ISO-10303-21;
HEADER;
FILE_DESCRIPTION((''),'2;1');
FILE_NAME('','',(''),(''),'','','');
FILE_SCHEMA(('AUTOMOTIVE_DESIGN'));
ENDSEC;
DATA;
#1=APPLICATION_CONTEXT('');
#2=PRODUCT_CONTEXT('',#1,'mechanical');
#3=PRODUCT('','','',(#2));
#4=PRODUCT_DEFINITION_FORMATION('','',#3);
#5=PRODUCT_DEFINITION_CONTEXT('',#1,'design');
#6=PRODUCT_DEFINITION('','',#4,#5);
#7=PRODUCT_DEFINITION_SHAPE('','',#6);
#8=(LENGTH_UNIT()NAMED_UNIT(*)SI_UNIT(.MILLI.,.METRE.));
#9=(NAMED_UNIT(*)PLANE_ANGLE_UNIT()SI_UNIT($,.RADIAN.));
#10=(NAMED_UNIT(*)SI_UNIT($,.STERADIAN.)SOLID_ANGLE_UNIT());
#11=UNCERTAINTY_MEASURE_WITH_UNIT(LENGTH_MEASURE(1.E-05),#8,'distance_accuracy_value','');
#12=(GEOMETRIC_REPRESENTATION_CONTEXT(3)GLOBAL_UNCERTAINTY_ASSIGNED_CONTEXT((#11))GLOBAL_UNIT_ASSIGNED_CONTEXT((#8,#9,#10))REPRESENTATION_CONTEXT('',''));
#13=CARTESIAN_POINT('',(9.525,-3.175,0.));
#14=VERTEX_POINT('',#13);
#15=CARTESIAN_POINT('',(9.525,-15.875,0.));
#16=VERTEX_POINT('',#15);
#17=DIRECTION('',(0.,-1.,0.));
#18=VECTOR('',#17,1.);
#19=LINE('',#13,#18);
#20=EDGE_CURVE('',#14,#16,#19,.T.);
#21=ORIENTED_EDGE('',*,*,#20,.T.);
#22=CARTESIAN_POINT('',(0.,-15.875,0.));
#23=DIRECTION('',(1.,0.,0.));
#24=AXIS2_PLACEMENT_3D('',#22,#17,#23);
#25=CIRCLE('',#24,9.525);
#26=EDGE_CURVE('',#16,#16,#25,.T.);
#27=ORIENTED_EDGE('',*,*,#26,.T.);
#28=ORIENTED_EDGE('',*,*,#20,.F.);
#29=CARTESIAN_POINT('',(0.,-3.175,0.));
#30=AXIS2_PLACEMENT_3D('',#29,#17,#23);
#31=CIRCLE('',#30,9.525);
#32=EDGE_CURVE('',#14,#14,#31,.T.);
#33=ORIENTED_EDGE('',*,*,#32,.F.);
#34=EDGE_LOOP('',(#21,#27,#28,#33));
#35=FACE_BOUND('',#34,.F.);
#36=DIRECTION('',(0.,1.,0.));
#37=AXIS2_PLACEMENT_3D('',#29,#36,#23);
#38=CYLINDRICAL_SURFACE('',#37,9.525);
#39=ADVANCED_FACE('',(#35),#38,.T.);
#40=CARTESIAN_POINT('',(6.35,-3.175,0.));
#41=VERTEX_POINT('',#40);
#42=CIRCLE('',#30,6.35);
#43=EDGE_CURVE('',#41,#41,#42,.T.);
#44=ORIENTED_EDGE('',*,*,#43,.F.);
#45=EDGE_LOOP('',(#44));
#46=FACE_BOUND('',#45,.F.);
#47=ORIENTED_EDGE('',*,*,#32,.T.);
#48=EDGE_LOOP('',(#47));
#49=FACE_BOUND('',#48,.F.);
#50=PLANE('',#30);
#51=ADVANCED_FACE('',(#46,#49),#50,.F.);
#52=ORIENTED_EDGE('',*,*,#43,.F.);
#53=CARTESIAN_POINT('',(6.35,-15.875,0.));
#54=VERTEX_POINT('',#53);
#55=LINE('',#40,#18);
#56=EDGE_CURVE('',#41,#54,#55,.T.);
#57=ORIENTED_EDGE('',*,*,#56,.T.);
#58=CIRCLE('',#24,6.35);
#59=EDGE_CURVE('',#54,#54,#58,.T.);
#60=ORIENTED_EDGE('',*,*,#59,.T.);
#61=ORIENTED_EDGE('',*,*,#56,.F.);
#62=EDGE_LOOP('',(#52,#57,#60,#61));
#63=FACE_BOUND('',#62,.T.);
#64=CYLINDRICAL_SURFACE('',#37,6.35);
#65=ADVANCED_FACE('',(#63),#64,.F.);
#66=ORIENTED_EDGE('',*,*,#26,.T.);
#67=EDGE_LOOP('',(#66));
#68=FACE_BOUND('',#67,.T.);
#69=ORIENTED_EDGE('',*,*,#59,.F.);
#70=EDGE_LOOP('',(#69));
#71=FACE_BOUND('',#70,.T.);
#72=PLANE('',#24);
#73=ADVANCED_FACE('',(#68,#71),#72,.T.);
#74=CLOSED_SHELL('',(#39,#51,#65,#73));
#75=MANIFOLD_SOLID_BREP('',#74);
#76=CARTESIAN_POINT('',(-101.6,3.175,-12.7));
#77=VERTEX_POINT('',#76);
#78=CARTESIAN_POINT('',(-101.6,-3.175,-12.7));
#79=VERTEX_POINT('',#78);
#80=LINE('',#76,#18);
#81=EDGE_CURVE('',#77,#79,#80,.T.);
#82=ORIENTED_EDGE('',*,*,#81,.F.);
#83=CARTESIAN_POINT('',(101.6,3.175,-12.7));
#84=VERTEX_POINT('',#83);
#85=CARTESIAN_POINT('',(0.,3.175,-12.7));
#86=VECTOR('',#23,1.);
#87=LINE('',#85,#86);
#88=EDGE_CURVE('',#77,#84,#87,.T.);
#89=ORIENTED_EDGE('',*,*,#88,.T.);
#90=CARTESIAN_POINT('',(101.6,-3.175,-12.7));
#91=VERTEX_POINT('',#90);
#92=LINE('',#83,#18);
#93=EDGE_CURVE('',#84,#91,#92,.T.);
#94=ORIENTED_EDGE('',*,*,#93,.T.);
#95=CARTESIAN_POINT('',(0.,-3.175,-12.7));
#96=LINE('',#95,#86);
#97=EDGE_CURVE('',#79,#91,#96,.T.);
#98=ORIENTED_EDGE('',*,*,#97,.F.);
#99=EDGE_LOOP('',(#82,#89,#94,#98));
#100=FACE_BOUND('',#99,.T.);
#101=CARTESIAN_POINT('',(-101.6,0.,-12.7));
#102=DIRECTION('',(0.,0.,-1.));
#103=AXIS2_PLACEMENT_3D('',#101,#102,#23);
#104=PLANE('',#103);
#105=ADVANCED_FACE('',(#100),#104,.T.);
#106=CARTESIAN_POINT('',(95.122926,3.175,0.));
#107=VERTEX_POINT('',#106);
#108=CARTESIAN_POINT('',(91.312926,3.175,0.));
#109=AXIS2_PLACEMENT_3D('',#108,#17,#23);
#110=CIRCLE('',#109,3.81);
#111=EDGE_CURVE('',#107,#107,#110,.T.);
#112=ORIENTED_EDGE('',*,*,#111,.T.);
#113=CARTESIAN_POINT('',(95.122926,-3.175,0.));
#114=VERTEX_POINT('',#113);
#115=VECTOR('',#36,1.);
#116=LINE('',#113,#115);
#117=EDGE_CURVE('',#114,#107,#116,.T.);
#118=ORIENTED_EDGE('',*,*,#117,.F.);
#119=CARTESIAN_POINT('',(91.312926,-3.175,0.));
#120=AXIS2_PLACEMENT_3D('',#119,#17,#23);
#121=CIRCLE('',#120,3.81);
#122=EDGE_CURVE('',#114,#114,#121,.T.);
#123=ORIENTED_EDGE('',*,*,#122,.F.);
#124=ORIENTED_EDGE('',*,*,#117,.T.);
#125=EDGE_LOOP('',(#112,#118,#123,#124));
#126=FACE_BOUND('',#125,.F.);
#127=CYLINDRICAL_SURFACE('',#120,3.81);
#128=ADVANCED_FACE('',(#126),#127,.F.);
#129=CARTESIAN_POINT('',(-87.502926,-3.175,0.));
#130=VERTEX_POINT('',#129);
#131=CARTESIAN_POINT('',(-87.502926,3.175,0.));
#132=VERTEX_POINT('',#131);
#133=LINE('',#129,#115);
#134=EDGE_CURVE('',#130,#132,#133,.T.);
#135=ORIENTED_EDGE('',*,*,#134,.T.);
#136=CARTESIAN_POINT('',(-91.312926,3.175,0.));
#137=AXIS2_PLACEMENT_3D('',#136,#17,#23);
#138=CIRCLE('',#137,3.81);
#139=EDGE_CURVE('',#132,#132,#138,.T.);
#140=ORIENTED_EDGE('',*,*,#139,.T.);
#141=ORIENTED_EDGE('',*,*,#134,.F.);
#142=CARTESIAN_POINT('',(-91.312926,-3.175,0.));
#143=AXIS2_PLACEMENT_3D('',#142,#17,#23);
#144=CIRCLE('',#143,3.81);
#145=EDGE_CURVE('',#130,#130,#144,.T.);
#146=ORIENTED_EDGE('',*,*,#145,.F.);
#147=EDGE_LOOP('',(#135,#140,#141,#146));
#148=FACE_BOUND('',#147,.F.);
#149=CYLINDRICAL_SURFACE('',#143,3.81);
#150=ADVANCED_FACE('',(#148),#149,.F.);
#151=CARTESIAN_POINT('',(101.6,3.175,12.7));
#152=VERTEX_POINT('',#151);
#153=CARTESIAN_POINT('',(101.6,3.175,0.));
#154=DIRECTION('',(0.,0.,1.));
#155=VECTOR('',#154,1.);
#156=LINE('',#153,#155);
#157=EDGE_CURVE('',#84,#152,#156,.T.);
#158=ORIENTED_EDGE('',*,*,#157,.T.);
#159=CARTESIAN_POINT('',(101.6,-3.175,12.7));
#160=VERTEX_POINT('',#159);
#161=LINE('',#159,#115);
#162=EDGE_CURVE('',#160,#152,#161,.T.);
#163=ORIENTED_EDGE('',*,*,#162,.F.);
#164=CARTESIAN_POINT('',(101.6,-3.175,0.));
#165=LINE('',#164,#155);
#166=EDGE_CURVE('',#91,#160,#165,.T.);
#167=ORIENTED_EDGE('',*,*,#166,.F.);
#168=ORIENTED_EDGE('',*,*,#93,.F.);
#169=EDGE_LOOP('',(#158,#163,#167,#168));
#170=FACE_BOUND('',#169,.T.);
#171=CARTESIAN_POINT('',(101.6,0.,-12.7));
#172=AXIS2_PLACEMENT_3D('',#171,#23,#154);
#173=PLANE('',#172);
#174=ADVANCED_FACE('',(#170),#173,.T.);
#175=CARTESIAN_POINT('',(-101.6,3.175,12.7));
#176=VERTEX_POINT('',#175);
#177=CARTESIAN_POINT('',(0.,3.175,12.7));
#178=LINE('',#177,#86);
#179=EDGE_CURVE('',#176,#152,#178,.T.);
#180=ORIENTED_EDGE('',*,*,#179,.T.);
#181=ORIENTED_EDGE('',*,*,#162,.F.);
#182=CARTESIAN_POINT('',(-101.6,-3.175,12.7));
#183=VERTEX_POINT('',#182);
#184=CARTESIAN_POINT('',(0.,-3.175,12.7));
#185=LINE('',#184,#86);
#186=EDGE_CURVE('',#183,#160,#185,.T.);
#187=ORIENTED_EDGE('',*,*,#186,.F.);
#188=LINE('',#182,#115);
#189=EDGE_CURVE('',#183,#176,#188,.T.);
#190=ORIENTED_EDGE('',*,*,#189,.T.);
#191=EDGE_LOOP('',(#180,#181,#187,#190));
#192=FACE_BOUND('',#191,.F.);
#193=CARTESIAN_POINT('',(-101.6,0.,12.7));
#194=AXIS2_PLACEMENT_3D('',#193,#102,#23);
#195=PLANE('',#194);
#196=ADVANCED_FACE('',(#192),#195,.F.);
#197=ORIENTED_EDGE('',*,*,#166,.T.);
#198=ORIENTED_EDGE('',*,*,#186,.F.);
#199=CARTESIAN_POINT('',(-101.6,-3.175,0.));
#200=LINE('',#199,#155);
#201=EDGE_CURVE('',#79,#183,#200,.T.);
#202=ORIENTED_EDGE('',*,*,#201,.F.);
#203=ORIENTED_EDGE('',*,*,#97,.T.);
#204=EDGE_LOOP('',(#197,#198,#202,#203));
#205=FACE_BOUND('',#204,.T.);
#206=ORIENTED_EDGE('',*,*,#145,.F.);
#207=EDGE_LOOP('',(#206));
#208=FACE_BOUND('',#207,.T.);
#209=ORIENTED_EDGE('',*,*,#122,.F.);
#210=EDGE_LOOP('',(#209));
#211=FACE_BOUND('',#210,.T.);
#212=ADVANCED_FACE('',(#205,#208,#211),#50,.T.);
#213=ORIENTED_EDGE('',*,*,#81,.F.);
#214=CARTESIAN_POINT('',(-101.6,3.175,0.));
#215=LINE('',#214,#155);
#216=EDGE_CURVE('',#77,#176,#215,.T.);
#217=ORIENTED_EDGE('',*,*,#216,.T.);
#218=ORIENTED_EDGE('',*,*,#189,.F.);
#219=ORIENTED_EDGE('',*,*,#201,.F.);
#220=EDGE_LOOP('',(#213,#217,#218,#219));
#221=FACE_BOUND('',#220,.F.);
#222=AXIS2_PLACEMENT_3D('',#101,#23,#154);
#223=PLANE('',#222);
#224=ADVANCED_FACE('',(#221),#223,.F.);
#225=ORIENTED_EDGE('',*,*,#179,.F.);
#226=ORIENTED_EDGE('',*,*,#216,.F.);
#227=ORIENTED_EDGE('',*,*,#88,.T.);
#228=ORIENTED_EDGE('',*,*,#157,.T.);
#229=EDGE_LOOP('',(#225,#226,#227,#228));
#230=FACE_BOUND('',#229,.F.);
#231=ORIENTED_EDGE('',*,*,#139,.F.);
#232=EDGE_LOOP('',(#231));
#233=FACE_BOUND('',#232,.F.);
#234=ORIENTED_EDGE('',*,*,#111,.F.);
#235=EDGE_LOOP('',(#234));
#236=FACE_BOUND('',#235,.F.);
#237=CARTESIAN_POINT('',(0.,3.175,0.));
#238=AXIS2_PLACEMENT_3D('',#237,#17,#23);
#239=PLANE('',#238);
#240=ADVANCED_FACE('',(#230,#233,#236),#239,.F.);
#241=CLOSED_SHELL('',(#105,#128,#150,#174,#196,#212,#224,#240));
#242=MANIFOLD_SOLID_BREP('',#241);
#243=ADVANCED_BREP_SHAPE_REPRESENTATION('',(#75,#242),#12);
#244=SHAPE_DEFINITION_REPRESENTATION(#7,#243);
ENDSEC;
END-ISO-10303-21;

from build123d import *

# Parameters (mm, degrees)
F0_W     = 203.2
F0_H     = 25.4
F1_DEPTH = 3.175
F2_R     = 9.525
F2_R_2   = 6.35
F3_DEPTH = 12.7
F4_R     = 3.81
F5_DEPTH = 6.351


with BuildPart() as f1:
    # F0 (on Front) → F1 (new body, symmetric)
    with BuildSketch(Plane.XZ):
        Rectangle(F0_W, F0_H)
    extrude(amount=F1_DEPTH, both=True)

    # F4 (on face) → F5 (cut, through all)
    with BuildSketch(Plane.XZ.offset(3.175)):
        with Locations((-91.312926, 0)):
            Circle(F4_R)
        with Locations((91.312926, 0)):
            Circle(F4_R)
    extrude(amount=-F5_DEPTH, mode=Mode.SUBTRACT)


with BuildPart() as f3:
    # F2 (on face) → F3 (new body)
    with BuildSketch(Plane.XZ.offset(3.175)):
        Circle(F2_R)
        Circle(F2_R_2, mode=Mode.SUBTRACT)
    extrude(amount=F3_DEPTH)


solid = Compound([f1.part, f3.part])
